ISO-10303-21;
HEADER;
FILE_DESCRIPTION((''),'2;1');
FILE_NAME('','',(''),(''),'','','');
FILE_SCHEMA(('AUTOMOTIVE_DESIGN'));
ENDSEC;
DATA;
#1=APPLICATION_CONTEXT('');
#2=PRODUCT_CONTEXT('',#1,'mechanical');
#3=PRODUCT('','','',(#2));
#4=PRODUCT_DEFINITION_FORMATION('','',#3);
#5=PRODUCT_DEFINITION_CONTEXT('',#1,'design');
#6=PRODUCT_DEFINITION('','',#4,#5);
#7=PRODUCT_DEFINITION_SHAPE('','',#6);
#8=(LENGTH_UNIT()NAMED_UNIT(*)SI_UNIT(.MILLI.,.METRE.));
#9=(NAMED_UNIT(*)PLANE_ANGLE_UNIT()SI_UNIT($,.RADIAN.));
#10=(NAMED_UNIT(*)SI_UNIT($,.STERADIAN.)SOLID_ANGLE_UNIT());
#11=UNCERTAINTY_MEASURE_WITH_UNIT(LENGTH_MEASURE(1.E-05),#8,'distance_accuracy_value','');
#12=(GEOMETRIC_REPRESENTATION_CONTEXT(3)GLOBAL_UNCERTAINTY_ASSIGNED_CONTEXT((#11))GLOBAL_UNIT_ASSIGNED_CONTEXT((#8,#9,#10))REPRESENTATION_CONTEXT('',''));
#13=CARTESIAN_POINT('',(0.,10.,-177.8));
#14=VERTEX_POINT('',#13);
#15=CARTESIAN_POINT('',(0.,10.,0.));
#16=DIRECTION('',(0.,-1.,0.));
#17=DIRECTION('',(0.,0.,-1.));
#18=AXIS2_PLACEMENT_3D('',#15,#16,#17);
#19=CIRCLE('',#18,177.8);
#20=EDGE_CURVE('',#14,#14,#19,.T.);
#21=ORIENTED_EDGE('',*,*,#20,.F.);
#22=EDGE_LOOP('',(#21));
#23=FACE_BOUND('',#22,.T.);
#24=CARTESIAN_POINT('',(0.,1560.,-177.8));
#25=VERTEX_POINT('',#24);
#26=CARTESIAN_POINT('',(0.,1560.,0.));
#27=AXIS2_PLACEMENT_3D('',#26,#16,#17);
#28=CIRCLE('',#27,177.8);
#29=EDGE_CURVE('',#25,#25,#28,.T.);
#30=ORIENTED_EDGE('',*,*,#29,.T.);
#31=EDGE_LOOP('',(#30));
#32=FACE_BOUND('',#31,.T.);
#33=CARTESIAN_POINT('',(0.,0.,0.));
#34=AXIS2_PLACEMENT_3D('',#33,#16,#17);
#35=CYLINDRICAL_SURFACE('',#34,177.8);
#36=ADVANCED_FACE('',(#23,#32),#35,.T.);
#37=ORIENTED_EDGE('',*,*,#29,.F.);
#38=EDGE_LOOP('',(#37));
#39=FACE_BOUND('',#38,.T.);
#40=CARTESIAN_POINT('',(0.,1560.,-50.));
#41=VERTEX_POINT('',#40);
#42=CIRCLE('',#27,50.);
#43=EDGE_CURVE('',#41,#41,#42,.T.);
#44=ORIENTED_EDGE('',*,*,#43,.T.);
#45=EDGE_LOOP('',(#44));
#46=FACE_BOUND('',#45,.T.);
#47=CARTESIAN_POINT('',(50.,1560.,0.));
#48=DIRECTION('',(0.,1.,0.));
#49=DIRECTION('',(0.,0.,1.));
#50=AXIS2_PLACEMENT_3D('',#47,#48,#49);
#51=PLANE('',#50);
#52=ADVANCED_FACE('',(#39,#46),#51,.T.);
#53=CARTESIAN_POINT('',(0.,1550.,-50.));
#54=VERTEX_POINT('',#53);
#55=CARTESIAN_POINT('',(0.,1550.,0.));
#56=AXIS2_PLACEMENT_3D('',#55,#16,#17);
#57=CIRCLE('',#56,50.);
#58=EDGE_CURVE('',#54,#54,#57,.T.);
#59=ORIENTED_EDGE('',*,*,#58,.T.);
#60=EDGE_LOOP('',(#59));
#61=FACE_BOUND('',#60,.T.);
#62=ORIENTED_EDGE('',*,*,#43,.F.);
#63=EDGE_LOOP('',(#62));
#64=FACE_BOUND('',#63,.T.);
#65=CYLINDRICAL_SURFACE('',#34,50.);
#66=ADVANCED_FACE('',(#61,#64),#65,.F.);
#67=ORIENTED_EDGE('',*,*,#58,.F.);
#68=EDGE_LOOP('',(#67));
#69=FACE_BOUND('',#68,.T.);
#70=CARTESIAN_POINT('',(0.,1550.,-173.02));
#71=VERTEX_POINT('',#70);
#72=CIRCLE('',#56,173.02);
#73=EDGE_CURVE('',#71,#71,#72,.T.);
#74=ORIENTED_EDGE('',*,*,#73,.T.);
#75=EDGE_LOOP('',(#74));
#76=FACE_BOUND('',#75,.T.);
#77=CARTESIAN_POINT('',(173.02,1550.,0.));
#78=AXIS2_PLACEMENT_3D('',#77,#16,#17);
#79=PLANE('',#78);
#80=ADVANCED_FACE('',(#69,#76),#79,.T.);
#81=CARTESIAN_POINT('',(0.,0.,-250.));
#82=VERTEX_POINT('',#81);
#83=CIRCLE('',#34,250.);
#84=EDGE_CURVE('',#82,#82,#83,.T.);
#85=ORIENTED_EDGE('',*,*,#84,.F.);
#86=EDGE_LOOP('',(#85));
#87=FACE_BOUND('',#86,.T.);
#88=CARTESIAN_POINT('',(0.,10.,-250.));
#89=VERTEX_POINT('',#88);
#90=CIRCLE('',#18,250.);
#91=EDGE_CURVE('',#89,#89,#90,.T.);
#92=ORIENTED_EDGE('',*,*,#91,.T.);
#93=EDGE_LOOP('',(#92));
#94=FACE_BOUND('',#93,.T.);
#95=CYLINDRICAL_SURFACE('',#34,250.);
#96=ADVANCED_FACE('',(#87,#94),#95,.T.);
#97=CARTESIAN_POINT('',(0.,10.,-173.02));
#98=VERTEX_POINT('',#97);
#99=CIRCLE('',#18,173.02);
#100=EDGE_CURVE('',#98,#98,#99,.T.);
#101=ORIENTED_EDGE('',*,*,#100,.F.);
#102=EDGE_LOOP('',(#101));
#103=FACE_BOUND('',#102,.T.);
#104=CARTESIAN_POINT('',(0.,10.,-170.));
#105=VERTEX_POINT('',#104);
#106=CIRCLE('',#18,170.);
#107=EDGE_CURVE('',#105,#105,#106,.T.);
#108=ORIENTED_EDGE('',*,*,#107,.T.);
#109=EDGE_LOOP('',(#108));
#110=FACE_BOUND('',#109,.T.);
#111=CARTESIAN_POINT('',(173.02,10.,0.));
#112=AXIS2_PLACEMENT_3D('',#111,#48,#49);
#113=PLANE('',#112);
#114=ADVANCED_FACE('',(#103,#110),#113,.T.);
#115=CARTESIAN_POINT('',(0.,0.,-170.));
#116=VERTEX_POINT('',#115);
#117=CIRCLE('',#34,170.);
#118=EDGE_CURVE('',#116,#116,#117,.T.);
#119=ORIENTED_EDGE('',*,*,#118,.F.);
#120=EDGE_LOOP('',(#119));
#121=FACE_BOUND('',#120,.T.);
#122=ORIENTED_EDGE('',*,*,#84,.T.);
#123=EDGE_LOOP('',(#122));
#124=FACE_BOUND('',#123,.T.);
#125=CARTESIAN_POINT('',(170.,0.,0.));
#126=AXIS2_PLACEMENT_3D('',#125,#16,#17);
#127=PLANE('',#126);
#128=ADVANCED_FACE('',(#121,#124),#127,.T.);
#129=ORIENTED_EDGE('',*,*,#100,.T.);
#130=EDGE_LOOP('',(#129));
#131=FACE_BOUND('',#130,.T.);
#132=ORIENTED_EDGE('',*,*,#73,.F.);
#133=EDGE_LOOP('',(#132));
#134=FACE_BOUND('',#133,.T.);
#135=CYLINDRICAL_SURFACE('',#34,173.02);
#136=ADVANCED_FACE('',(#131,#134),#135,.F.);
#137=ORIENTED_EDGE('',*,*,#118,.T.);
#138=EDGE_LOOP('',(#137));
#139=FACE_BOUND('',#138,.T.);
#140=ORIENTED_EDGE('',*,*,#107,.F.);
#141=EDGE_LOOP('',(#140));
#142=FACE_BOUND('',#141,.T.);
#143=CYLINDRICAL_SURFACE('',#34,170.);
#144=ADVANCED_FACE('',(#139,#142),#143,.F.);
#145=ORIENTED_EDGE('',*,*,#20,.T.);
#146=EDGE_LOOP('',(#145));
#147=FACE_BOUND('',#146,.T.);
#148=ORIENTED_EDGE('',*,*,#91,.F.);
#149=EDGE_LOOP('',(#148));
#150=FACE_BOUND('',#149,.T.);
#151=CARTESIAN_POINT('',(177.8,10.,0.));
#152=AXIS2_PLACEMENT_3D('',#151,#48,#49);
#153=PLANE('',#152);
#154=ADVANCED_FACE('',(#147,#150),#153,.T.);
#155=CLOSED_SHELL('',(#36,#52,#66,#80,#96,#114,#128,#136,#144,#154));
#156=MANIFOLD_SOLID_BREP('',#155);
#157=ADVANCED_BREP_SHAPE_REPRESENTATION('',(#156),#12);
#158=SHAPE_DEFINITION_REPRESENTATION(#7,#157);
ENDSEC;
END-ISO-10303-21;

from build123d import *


with BuildPart() as part:
    # Esboço1 → Revolução1 (revolve)
    with BuildSketch(Plane.XY):
        Polygon((50, 1560), (177.8, 1560), (177.8, 10), (250, 10), (250, 0), (170, 0), (170, 10), (173.02, 10), (173.02, 1550), (50, 1550), align=None)
    revolve(axis=Axis((0, 0, 0), (0, 1, 0)))


solid = part.part
